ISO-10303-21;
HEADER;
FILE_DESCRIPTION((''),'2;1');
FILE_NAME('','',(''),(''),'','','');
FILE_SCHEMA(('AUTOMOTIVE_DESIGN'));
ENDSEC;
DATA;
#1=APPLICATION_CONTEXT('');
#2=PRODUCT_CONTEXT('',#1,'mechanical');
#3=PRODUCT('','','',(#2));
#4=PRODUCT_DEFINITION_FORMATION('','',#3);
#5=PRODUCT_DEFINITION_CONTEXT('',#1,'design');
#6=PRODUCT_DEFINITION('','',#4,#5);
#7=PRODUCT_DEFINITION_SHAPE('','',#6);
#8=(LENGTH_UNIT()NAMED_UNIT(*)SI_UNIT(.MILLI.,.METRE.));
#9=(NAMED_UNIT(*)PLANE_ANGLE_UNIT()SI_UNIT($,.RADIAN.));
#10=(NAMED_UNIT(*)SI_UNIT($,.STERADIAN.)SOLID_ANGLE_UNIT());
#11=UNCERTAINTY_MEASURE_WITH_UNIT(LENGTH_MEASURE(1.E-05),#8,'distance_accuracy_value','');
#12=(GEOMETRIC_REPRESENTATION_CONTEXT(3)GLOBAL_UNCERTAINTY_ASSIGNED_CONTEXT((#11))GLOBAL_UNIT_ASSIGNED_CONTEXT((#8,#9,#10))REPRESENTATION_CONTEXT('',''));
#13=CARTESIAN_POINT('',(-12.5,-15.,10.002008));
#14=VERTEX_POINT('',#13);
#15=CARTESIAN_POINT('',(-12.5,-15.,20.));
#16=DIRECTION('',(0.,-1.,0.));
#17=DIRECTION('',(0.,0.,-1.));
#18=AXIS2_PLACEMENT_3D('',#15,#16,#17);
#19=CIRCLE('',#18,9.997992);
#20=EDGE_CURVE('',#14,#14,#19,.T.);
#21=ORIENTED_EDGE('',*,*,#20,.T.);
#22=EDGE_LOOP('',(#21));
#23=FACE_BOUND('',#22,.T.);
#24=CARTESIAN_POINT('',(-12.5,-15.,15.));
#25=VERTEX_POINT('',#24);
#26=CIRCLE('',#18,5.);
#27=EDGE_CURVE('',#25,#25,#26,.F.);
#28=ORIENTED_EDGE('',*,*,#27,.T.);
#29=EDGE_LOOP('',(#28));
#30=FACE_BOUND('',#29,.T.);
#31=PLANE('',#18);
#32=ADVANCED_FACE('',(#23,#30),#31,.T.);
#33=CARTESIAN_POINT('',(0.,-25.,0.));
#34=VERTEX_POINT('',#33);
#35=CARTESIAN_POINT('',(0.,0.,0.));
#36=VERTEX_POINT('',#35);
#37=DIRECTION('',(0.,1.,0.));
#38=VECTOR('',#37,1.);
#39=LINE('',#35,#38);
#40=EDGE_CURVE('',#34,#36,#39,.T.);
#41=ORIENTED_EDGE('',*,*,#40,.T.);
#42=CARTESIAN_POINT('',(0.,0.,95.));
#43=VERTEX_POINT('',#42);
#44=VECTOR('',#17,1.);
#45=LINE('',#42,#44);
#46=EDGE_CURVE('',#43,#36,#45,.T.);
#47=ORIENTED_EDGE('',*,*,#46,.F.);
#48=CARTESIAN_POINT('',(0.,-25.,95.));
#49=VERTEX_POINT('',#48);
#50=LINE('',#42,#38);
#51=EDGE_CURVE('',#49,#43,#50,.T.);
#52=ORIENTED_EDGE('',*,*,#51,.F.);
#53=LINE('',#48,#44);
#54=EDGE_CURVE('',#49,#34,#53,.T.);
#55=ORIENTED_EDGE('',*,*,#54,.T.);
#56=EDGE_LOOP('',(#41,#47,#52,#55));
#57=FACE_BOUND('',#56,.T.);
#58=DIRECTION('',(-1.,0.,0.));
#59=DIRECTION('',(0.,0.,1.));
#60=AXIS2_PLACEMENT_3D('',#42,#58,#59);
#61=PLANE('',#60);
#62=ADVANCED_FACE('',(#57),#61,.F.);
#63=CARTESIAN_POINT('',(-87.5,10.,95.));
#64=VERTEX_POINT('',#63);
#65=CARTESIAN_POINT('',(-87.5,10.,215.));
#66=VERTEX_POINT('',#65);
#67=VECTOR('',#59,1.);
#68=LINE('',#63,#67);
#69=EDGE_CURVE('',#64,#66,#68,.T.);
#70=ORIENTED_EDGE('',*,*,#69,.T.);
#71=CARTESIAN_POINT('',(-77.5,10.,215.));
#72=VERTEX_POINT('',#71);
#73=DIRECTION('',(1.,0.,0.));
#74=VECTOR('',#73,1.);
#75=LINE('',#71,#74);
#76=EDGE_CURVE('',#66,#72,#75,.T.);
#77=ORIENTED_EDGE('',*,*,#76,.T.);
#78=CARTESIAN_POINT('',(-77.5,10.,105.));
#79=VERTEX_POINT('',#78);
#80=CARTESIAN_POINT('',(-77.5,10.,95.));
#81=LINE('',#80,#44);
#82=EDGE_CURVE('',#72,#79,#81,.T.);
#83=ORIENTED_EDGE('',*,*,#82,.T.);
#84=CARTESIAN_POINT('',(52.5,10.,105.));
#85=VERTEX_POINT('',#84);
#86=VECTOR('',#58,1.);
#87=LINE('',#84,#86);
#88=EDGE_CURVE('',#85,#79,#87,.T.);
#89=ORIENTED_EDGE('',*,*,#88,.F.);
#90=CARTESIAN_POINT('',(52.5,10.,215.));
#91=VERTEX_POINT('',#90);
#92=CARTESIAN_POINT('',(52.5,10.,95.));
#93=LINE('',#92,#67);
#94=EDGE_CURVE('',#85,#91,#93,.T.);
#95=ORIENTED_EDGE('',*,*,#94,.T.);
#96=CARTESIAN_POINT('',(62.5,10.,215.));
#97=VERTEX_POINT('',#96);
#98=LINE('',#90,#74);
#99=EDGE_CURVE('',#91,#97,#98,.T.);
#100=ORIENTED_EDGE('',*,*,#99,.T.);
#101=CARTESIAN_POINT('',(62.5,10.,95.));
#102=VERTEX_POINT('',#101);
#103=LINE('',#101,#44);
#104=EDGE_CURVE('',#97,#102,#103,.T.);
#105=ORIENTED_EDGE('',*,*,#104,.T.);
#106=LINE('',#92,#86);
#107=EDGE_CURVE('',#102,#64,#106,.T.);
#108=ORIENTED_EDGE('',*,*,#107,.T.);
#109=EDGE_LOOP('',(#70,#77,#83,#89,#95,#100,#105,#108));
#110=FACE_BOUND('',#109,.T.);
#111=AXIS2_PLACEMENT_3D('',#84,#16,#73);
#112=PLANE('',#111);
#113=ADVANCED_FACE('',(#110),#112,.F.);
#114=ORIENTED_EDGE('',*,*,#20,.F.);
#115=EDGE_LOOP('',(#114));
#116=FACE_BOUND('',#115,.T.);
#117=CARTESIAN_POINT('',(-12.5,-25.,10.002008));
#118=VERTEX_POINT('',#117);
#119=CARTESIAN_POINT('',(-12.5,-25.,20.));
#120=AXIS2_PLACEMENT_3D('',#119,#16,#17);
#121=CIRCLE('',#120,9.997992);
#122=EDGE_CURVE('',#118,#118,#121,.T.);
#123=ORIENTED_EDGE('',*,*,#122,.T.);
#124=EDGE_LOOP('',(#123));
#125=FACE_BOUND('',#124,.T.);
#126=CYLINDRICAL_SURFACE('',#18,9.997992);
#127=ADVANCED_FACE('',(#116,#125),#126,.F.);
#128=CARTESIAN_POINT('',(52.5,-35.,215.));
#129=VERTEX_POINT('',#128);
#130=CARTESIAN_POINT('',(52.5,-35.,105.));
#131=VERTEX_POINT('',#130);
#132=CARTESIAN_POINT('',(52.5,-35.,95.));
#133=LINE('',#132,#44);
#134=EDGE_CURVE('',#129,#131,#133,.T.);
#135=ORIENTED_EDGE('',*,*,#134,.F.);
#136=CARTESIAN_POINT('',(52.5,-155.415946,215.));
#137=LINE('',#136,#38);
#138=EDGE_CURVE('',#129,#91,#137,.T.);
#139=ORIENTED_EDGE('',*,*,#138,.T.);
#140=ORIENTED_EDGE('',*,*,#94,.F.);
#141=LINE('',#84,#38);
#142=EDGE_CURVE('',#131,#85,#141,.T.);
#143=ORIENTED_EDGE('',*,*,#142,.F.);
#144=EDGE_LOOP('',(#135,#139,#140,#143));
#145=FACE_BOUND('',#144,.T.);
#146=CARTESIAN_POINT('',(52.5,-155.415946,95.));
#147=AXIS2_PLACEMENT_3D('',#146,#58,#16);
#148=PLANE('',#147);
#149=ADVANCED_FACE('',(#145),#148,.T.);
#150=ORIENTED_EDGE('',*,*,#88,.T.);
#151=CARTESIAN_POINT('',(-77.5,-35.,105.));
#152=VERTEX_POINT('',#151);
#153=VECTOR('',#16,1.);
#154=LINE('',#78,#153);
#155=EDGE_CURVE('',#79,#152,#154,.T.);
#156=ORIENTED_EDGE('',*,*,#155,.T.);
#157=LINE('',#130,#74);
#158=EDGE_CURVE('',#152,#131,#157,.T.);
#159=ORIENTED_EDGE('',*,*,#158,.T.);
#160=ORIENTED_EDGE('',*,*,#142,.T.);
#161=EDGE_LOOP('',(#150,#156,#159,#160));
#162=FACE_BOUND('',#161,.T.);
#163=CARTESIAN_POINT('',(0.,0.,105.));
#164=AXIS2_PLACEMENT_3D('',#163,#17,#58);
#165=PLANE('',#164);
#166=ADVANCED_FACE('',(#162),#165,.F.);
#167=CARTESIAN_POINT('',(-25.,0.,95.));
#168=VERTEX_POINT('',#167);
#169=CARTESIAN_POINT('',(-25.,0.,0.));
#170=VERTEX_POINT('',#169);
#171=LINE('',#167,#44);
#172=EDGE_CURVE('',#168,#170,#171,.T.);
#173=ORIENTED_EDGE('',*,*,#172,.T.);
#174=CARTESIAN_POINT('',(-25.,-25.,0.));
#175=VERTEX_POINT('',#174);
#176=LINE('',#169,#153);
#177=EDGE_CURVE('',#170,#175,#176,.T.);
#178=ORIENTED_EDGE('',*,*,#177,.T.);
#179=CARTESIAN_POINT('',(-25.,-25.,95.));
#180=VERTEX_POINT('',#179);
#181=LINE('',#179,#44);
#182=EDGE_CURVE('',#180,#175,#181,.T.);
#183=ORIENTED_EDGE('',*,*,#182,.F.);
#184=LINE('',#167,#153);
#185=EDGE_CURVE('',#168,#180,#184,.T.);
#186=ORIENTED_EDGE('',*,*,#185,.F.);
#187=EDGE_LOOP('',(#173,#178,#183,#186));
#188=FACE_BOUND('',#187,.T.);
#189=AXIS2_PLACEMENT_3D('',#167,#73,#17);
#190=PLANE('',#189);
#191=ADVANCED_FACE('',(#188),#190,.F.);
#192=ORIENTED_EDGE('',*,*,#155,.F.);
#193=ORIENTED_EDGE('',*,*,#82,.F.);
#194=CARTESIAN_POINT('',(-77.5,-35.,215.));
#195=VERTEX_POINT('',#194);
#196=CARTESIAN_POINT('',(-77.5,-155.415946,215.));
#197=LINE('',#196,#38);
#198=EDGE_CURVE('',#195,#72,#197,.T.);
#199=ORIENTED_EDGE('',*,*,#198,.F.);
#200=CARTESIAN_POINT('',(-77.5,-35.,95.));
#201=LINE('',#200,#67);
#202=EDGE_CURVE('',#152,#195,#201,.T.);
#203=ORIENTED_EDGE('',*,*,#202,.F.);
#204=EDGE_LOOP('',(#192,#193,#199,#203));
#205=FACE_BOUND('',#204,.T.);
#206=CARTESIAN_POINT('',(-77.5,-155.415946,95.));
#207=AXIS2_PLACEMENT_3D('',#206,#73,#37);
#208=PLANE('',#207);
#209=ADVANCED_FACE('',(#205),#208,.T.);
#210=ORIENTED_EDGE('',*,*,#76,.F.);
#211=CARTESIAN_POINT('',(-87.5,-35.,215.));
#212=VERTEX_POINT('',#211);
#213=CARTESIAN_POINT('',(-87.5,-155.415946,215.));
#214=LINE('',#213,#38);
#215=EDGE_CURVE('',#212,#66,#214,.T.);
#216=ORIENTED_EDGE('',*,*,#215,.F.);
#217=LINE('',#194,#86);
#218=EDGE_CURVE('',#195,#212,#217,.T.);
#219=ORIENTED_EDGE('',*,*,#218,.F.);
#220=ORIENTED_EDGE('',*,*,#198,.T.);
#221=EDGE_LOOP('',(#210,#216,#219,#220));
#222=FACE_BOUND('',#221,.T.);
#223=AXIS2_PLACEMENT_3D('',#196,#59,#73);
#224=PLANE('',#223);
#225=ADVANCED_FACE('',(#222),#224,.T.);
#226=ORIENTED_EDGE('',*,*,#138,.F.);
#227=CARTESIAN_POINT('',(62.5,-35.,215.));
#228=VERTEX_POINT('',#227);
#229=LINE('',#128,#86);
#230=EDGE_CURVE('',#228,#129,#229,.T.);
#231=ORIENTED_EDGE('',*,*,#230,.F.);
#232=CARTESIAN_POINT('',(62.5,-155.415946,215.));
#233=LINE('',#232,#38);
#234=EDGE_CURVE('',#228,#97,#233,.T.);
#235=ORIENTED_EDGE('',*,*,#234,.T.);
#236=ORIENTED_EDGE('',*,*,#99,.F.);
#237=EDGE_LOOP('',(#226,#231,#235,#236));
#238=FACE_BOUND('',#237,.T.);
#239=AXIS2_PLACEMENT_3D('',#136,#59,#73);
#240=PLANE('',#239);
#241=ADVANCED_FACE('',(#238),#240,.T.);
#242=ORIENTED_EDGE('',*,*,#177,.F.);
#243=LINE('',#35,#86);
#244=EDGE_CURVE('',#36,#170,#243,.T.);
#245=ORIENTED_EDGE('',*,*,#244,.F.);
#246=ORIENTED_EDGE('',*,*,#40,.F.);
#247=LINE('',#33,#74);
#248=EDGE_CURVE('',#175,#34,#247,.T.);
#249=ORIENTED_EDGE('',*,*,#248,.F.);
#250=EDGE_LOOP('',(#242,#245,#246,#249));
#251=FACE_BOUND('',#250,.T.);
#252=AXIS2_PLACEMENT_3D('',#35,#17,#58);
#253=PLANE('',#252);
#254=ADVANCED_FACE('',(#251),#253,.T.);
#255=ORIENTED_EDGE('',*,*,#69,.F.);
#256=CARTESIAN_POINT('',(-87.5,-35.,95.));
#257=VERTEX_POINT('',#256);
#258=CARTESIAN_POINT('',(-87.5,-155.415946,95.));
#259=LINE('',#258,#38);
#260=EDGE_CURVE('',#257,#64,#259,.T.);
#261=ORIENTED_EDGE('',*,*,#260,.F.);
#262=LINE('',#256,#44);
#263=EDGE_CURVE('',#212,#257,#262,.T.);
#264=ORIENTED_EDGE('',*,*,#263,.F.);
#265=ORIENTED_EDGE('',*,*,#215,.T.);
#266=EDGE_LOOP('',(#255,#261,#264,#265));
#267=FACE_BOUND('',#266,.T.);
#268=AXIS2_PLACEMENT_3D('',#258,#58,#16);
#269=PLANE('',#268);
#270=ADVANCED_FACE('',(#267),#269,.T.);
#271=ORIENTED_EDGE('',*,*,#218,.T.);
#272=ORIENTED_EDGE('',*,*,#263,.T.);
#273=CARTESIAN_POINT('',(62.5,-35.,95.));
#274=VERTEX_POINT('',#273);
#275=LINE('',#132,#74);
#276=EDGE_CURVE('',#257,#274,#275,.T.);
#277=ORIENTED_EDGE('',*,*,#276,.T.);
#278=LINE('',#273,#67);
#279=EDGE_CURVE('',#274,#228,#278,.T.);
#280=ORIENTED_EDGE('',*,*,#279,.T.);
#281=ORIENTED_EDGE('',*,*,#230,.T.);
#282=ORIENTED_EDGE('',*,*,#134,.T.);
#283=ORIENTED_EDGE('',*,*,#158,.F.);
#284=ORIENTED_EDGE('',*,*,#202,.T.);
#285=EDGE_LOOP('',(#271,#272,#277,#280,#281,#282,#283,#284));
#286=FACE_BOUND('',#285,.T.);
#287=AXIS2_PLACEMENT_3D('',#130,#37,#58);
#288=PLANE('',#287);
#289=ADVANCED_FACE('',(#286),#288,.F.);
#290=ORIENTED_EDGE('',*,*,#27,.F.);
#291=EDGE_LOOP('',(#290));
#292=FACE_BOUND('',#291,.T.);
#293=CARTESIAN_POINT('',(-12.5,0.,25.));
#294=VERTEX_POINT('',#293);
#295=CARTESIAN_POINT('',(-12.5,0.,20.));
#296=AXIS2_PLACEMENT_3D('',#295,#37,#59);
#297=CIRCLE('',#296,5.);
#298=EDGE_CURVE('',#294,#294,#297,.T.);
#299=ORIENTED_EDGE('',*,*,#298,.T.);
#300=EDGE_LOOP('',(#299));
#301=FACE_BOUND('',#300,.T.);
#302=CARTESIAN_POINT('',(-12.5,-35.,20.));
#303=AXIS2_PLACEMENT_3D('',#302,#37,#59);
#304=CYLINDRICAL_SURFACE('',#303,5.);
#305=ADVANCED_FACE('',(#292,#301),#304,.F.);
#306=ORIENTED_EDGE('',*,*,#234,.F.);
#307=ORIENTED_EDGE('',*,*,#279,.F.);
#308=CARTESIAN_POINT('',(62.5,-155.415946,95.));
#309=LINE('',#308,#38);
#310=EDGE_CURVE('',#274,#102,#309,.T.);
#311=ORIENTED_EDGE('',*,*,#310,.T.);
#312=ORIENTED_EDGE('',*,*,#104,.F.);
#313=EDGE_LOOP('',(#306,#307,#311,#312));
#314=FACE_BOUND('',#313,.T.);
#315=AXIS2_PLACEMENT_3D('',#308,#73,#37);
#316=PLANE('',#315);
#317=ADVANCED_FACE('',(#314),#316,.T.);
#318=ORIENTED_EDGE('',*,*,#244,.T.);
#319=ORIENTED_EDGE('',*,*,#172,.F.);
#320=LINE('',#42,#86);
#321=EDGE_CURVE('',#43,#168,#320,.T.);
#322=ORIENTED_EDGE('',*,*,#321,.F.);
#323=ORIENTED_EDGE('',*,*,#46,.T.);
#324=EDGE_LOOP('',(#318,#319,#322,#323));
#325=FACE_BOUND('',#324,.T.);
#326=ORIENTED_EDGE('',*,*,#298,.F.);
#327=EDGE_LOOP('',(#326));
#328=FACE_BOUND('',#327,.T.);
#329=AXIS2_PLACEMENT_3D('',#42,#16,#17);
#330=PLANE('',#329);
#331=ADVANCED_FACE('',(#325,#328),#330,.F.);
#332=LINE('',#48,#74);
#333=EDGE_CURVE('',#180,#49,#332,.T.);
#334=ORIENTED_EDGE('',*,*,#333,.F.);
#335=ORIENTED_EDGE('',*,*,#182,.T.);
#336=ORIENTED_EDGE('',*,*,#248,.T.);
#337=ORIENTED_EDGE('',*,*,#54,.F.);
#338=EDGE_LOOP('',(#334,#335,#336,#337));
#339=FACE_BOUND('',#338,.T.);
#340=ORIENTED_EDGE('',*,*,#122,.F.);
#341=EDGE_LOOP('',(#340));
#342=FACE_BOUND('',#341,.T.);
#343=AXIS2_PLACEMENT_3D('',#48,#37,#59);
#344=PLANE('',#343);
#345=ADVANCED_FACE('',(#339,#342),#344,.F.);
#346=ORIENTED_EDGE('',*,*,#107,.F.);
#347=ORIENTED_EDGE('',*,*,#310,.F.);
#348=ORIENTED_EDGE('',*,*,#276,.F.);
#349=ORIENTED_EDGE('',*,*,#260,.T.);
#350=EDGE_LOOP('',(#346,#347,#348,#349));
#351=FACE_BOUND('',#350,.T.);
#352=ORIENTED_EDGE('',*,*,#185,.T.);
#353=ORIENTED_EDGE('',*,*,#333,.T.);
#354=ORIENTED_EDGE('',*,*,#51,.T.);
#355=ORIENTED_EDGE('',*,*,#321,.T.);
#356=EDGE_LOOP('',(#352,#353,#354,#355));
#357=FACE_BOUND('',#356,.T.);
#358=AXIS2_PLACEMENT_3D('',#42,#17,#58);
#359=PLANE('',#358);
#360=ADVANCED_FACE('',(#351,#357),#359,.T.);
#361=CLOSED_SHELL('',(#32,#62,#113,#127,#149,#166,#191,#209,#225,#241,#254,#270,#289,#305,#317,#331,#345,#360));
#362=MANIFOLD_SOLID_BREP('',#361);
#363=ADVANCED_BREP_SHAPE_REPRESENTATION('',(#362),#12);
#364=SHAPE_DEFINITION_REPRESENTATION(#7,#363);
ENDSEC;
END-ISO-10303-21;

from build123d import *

# Parameters (mm, degrees)
ESQUISSE1_W             = 25
ESQUISSE1_H             = 25
BOSS_EXTRU_1_DEPTH      = 95
ESQUISSE2_W             = 130
ESQUISSE2_H             = 45
BOSS_EXTRU_2_DEPTH      = 10
ESQUISSE4_W             = 10
ESQUISSE4_H             = 120
BOSS_EXTRU_3_DEPTH      = 45
ESQUISSE5_R             = 5
ENL_V_MAT_EXTRU_1_DEPTH = 235.747204456
ESQUISSE6_R             = 9.997992339
ENL_V_MAT_EXTRU_2_DEPTH = 10


with BuildPart() as part:
    # Esquisse1 → Boss.-Extru.1 (new body)
    with BuildSketch(Plane.XY):
        with Locations((-12.5, -12.5)):
            Rectangle(ESQUISSE1_W, ESQUISSE1_H)
    extrude(amount=BOSS_EXTRU_1_DEPTH)

    # Esquisse2 → Boss.-Extru.2 (add)
    with BuildSketch(Plane.XY.offset(95)):
        with Locations((-12.5, -12.5)):
            Rectangle(ESQUISSE2_W, ESQUISSE2_H)
    extrude(amount=BOSS_EXTRU_2_DEPTH)

    # Esquisse4 → Boss.-Extru.3 (add)
    with BuildSketch(Plane(origin=(0, 10, 0), x_dir=(1, 0, 0), z_dir=(0, 1, 0))):
        with Locations((-82.5, -155)):
            Rectangle(ESQUISSE4_W, ESQUISSE4_H)
        with Locations((57.5, -155)):
            Rectangle(ESQUISSE4_W, ESQUISSE4_H)
    extrude(amount=-BOSS_EXTRU_3_DEPTH)

    # Esquisse5 → Enlèv. mat.-Extru.1 (cut, through all)
    with BuildSketch(Plane(origin=(0, 0, 0), x_dir=(1, 0, 0), z_dir=(0, 1, 0))):
        with Locations(Location((-12.5, -20, 0), (0, 0, 270))):
            Circle(ESQUISSE5_R)
    extrude(amount=-ENL_V_MAT_EXTRU_1_DEPTH, mode=Mode.SUBTRACT)

    # Esquisse6 → Enlèv. mat.-Extru.2 (cut)
    with BuildSketch(Plane.XZ.offset(25)):
        with Locations(Location((-12.5, 20, 0), (0, 0, 270))):
            Circle(ESQUISSE6_R)
    extrude(amount=-ENL_V_MAT_EXTRU_2_DEPTH, mode=Mode.SUBTRACT)


solid = part.part
